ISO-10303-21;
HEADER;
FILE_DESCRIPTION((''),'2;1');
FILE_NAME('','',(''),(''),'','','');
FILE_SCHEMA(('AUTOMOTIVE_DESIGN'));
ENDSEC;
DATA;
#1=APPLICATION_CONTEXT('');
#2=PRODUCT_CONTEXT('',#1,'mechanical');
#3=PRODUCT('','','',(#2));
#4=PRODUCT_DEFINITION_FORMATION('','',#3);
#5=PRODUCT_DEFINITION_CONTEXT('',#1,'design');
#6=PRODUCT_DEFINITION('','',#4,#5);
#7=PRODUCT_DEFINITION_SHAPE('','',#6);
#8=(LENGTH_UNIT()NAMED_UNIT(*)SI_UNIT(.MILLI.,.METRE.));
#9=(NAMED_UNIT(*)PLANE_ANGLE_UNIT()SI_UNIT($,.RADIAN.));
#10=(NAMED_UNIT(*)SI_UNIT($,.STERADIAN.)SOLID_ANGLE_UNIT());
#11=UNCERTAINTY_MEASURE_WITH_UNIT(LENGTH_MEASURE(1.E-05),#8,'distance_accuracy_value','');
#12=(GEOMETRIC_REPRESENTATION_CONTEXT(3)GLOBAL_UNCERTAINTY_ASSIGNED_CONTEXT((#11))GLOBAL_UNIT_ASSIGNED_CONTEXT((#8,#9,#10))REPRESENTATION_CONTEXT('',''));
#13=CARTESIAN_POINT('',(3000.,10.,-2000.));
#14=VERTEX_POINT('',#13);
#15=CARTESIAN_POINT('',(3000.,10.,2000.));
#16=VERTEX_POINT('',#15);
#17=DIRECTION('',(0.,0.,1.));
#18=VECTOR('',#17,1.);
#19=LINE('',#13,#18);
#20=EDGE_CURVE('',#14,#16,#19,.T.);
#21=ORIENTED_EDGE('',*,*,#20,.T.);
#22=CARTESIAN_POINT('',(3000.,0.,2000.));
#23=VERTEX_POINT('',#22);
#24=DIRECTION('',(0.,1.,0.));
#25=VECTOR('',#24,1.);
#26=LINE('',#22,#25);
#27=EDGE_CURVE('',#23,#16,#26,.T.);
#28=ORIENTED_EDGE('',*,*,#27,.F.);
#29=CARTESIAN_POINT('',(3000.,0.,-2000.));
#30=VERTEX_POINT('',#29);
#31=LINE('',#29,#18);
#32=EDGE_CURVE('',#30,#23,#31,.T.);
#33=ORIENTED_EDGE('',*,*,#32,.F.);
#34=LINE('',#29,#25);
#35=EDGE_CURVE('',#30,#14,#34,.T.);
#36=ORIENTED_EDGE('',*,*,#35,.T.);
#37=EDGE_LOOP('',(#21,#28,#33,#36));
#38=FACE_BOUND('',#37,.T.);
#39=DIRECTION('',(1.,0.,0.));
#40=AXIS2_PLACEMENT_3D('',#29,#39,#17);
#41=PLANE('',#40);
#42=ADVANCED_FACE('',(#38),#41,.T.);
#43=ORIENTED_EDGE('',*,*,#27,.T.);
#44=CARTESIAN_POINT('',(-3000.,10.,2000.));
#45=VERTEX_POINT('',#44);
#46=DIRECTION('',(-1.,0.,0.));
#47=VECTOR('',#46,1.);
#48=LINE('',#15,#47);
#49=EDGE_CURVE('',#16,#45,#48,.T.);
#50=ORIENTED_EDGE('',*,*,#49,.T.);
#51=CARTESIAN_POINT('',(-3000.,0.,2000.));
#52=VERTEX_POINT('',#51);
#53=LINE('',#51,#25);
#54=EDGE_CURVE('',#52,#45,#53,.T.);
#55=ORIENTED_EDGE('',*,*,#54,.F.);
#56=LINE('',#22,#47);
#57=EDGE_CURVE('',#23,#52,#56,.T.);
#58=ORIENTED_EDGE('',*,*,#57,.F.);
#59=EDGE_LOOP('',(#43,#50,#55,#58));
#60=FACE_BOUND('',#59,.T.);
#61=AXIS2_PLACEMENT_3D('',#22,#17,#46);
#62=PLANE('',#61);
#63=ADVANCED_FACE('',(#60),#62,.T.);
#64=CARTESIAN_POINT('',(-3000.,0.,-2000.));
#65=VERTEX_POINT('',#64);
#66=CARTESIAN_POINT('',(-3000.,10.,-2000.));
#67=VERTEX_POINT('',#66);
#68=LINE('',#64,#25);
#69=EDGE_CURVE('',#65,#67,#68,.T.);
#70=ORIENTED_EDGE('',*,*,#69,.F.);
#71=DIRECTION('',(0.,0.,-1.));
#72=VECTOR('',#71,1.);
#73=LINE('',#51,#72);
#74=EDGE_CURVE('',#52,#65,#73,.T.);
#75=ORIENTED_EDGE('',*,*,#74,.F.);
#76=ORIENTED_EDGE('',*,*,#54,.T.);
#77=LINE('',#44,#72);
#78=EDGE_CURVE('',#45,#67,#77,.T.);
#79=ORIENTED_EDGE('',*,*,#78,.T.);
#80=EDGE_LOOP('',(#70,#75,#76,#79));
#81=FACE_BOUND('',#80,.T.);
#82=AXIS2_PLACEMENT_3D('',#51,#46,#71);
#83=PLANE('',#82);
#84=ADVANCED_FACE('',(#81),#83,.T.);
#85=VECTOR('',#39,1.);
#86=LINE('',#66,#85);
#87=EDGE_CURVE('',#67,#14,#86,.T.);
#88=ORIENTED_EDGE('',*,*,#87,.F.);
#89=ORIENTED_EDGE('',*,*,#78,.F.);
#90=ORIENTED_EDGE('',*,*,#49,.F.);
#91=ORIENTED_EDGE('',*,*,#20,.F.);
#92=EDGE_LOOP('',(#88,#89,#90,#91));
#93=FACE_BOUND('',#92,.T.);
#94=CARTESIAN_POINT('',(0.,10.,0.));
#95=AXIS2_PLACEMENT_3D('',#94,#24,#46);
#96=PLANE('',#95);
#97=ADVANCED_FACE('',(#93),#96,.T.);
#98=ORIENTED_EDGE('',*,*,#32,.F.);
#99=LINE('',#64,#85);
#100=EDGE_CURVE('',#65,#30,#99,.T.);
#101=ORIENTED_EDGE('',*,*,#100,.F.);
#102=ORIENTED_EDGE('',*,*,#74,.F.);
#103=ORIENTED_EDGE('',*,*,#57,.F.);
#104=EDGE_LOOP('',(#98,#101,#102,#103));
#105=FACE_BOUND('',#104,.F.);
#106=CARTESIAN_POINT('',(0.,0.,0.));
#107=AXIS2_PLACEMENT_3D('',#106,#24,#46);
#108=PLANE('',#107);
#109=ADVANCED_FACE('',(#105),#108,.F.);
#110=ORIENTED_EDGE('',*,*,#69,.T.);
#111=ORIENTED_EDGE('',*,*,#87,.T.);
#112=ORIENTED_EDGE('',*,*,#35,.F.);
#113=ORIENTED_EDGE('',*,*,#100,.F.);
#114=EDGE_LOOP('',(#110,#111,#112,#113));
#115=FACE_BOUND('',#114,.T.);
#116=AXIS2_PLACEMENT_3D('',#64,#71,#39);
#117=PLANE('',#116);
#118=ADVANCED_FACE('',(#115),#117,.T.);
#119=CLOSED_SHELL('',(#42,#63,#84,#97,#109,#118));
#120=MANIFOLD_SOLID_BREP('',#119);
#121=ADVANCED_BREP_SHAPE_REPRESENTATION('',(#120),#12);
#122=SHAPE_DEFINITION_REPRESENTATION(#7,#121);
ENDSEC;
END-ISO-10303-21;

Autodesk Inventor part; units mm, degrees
ref_plane "YZ Plane" through (0, 0, 0) normal (1, 0, 0) x (0, 1, 0)
ref_plane "XZ Plane" through (0, 0, 0) normal (0, 1, 0) x (-1, 0, 0)
ref_plane "XY Plane" through (0, 0, 0) normal (0, 0, 1) x (1, 0, 0)
sketch "Boceto1" plane through (0, 0, 0) normal (0, 1, 0) x (-1, 0, 0)
  line L0 (-3000, 2000) -> (3000, 2000)
  line L1 (3000, 2000) -> (3000, -2000)
  line L2 (3000, -2000) -> (-3000, -2000)
  line L3 (-3000, -2000) -> (-3000, 2000)
  line L4 (-3000, 2000) -> (3000, -2000) construction
  line L5 (3000, 2000) -> (-3000, -2000) construction
  point P0 (0, 0)
  dimension "d0" = 6000
  dimension "d1" = 4000
extrude "Extrusión1" add sketch "Boceto1" along normal blind 10
properties part number "Suelo"
